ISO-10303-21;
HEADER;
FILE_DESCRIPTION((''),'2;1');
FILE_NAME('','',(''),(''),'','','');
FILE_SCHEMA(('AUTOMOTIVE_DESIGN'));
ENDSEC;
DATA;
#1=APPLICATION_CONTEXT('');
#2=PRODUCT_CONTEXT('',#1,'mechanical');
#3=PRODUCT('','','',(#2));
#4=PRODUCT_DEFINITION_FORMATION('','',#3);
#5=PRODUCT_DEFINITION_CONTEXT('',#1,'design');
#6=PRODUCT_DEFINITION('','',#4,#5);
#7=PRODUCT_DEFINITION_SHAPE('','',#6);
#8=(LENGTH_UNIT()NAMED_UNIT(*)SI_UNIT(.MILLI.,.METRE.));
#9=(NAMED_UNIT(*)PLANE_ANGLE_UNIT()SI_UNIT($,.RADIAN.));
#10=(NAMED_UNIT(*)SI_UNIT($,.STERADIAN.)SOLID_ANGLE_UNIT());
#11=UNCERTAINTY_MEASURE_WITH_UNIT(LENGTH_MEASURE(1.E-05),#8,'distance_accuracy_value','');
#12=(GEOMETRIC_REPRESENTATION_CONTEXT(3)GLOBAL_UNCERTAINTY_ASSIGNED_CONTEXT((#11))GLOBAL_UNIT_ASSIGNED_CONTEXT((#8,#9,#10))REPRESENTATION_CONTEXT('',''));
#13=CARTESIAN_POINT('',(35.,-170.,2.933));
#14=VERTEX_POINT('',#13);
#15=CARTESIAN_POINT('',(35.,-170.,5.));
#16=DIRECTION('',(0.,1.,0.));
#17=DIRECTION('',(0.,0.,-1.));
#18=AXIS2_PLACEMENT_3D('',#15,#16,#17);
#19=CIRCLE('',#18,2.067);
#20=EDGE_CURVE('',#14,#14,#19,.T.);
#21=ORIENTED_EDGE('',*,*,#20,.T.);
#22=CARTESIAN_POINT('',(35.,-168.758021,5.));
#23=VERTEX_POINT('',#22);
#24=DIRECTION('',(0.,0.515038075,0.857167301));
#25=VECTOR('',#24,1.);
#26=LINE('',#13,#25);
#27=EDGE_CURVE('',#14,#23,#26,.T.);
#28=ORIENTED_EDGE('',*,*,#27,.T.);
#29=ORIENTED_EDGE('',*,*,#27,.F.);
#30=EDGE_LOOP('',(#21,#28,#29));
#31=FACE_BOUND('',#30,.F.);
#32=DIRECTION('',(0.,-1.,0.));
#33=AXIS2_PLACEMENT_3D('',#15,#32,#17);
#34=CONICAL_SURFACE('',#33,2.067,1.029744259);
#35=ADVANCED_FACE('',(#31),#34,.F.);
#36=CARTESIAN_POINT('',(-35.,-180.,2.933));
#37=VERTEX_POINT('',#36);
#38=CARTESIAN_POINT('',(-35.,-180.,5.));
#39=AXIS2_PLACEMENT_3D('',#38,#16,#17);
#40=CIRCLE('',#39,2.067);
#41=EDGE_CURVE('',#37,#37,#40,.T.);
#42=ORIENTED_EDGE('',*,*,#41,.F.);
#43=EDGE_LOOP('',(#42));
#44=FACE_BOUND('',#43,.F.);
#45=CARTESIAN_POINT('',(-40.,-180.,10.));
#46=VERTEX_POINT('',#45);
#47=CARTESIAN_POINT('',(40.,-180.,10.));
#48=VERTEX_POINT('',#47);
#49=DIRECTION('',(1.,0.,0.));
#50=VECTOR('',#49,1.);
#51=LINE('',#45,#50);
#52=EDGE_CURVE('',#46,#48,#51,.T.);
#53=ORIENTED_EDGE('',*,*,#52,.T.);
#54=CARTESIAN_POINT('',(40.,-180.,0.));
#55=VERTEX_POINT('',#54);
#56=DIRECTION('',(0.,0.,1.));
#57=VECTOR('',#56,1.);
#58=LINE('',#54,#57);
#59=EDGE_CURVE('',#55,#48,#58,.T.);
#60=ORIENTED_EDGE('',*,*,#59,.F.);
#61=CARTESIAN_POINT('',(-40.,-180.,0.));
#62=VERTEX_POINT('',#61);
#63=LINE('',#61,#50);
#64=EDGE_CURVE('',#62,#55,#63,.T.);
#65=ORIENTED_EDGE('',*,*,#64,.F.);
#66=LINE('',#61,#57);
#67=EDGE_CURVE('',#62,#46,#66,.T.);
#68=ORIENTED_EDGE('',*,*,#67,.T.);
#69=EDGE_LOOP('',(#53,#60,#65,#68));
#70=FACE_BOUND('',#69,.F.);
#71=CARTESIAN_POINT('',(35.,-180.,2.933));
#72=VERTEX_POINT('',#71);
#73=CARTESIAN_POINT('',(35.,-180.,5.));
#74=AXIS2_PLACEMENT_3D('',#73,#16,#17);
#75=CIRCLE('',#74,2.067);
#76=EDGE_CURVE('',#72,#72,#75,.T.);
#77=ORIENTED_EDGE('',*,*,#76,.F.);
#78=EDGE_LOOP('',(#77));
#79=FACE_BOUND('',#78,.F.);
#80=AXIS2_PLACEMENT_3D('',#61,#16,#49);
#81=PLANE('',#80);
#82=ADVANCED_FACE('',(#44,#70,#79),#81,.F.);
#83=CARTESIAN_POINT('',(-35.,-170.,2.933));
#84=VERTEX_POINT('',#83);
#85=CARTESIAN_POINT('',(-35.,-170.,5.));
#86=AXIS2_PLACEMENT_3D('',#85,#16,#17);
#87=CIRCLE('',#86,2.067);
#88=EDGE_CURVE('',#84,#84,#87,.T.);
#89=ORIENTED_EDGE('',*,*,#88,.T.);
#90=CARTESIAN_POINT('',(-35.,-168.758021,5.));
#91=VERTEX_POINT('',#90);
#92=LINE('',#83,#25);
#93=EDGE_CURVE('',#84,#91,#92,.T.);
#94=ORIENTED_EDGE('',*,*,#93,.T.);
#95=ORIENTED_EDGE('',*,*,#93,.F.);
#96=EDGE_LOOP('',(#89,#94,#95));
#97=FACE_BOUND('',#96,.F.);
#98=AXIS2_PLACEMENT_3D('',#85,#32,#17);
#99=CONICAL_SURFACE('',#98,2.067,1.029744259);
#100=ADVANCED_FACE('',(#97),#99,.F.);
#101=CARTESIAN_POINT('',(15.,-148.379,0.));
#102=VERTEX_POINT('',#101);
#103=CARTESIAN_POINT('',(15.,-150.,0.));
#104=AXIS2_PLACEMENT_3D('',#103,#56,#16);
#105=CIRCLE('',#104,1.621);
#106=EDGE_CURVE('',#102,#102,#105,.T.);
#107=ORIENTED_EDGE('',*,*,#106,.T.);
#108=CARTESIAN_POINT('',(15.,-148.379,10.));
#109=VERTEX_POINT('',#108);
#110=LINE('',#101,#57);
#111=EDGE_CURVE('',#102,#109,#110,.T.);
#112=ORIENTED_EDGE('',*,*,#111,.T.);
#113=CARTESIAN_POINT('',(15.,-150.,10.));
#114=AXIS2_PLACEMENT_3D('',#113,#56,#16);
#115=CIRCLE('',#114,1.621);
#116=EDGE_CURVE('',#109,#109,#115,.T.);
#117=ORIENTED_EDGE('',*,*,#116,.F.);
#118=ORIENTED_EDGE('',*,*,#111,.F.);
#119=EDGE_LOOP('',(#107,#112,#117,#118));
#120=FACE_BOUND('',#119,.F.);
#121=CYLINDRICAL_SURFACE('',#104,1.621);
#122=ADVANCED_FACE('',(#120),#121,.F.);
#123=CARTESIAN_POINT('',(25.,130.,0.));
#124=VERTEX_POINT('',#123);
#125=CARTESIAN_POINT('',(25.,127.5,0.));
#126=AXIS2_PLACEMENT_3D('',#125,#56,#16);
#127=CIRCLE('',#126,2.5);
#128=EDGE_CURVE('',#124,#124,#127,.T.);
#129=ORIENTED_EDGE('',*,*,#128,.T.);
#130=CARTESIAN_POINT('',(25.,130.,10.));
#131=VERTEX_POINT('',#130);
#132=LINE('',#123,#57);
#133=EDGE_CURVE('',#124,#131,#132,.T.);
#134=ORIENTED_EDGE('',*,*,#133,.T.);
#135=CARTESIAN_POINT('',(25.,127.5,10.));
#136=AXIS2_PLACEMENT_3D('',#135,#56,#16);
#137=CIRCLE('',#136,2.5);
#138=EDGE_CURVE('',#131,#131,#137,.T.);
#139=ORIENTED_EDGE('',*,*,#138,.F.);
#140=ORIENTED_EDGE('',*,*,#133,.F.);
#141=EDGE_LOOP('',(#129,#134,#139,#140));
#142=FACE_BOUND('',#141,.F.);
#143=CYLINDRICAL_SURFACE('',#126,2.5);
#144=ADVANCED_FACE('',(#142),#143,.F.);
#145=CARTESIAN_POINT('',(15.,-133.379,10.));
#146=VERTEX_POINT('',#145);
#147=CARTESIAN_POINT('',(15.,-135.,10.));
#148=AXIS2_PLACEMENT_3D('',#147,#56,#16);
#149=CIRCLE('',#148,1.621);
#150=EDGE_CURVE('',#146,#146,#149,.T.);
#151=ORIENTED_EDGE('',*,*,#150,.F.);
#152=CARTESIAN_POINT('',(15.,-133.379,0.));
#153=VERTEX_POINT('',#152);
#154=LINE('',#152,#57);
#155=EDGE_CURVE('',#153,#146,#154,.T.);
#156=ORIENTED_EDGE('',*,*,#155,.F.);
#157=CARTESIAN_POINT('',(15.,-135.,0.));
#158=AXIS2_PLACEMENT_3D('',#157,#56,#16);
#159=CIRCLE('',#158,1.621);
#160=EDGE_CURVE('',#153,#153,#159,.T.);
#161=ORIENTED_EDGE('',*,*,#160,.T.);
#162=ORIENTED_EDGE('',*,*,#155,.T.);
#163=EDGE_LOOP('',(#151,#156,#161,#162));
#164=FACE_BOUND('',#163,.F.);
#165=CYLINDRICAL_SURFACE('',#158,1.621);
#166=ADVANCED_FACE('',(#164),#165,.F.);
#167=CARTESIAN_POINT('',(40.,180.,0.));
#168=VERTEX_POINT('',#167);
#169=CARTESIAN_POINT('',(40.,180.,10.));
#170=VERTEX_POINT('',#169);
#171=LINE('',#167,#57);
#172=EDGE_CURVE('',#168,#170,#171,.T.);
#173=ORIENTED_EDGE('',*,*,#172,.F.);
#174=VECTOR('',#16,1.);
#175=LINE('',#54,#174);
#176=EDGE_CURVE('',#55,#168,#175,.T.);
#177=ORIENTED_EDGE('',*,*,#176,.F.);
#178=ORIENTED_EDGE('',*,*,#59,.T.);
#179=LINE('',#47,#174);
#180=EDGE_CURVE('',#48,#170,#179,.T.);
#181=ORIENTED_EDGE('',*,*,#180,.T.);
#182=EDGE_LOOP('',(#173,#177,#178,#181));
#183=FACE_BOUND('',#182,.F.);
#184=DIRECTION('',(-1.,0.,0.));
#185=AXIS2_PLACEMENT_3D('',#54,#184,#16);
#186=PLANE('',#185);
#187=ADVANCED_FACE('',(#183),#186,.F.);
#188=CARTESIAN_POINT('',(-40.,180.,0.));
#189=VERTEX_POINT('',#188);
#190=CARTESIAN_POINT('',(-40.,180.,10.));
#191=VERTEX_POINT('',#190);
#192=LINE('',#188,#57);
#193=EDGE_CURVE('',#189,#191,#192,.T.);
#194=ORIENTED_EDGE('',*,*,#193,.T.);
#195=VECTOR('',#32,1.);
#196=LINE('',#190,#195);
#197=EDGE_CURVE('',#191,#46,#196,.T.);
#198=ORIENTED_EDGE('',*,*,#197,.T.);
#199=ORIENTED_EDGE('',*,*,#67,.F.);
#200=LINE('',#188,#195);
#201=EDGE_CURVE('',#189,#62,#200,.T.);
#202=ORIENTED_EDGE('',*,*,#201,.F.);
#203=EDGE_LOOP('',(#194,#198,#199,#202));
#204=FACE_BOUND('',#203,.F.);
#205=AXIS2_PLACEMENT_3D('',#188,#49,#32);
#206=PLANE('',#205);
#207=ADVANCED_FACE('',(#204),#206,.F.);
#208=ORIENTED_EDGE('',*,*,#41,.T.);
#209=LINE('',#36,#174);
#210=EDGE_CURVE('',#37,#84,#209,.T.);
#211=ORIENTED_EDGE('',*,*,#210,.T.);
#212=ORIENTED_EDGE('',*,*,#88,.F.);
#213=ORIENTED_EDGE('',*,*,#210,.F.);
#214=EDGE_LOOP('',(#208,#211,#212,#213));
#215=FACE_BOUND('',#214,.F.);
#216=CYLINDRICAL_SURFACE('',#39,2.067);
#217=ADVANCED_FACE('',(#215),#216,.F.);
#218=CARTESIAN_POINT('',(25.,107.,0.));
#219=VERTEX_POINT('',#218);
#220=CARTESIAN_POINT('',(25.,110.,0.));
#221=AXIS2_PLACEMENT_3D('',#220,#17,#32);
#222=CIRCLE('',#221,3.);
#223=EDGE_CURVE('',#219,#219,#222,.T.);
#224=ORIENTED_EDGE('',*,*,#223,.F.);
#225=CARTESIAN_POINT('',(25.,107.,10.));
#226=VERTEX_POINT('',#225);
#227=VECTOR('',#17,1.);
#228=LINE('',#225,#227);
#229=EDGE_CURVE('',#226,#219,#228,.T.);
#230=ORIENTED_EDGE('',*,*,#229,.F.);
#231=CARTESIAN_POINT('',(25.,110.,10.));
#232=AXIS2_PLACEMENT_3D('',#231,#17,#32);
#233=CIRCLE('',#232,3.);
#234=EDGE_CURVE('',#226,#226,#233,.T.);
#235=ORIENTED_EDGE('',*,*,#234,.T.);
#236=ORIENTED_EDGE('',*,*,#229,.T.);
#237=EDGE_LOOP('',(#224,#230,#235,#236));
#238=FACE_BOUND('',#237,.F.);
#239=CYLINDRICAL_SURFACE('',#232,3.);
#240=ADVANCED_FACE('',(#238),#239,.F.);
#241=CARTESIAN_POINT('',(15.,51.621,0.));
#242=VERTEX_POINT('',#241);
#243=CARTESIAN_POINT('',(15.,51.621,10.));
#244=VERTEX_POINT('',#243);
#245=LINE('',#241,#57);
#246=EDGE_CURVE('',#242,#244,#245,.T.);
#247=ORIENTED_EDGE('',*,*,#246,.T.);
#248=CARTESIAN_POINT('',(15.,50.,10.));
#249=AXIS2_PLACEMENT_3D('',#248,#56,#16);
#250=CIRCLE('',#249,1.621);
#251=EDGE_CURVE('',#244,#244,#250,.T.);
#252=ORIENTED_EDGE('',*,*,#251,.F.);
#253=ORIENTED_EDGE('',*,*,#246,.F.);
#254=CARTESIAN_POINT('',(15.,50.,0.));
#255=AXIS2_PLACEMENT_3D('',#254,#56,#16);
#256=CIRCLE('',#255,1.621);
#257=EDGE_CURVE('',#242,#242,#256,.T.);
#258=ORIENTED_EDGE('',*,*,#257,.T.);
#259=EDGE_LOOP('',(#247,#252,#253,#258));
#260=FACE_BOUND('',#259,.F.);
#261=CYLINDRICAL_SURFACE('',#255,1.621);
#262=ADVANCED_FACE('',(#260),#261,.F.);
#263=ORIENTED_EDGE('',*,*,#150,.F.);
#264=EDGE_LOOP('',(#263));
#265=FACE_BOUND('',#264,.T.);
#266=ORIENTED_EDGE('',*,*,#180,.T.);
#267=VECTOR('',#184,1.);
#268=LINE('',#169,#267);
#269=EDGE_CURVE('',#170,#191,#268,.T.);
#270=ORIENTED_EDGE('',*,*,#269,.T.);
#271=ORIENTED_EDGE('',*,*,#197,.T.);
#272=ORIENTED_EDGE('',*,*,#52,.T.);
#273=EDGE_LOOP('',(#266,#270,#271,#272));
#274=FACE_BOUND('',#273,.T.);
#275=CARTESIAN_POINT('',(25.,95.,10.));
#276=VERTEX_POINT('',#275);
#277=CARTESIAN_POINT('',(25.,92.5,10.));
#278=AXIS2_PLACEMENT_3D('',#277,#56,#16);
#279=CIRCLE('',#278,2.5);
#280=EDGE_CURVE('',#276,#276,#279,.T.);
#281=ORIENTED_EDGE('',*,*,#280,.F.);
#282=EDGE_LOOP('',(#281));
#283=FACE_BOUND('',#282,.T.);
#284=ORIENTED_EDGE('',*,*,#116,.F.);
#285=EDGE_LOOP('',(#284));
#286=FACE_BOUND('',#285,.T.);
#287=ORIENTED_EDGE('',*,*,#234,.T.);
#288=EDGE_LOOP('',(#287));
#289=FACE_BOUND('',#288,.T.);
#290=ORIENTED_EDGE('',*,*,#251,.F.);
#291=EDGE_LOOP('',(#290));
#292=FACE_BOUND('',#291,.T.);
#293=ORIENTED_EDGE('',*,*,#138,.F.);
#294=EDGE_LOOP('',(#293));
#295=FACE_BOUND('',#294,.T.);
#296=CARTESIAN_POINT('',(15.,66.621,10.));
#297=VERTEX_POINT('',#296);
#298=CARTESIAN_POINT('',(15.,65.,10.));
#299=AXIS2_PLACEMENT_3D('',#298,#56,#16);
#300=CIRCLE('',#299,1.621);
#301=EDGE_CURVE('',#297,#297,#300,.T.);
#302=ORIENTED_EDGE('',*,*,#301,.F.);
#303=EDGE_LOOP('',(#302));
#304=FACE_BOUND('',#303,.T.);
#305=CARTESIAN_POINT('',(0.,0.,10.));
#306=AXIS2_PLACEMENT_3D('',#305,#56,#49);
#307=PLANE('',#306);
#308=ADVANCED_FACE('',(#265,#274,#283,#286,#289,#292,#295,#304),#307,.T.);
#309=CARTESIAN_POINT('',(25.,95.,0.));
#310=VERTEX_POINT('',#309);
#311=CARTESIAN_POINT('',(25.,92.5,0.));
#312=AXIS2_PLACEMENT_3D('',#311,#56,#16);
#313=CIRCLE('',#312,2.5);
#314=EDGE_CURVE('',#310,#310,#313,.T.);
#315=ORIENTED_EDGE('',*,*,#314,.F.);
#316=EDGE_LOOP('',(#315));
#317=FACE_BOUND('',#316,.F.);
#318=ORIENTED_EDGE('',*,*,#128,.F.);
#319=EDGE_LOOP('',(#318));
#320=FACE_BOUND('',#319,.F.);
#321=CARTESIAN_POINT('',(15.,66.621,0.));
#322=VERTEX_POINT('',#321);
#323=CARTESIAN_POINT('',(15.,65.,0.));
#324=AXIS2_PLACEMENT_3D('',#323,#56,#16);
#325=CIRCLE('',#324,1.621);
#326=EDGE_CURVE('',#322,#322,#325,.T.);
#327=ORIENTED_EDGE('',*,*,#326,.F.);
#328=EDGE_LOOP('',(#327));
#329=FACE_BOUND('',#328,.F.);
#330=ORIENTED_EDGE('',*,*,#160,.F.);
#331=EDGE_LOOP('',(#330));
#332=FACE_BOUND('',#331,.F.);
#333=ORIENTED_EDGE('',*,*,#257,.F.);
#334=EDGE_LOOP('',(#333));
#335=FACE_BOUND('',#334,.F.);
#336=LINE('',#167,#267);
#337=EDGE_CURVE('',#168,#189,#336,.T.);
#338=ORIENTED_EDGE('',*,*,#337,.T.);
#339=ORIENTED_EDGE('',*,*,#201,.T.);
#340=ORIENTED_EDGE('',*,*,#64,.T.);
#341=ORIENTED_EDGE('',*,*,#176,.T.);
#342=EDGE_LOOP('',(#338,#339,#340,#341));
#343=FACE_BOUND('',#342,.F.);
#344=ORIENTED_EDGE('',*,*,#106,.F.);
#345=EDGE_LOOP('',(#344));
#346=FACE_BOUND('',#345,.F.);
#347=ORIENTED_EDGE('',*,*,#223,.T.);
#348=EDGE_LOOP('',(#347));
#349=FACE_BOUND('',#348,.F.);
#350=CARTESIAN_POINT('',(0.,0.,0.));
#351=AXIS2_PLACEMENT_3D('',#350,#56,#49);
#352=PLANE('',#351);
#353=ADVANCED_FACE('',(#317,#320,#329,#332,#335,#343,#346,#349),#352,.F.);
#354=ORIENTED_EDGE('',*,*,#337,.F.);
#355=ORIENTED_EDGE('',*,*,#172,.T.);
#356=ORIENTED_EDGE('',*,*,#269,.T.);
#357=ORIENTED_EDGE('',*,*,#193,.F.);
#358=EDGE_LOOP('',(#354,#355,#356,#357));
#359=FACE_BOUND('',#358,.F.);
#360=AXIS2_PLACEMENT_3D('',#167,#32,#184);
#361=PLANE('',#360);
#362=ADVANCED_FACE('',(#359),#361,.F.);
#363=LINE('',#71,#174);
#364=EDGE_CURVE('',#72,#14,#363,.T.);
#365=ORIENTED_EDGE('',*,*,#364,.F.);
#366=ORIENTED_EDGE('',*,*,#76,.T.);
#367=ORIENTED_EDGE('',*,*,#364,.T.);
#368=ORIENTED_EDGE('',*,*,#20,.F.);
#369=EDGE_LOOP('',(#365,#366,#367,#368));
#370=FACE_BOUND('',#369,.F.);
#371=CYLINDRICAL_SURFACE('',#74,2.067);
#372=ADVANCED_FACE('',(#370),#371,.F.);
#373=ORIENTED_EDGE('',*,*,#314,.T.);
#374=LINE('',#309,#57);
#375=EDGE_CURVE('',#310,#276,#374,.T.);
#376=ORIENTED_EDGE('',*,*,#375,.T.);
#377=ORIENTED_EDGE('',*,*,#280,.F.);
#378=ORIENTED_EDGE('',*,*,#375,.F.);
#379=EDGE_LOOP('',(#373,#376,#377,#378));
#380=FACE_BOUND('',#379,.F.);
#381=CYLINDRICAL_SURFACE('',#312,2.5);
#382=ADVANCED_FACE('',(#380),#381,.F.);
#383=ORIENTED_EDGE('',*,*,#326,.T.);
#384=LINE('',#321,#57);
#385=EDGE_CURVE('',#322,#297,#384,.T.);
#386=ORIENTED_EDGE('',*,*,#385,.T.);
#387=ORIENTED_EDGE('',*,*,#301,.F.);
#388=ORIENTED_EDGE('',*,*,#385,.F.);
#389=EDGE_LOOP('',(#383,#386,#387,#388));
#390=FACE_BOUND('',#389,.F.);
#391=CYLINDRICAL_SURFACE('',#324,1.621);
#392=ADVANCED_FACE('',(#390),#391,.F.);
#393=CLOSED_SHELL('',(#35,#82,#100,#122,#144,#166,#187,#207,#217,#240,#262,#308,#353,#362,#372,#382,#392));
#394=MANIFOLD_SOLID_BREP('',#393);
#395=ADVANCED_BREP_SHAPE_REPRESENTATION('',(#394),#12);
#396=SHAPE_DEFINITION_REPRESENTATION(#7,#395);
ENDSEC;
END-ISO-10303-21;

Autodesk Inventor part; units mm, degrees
ref_plane "YZ Plane" through (0, 0, 0) normal (1, 0, 0) x (0, 1, 0)
ref_plane "XZ Plane" through (0, 0, 0) normal (0, 1, 0) x (-1, 0, 0)
ref_plane "XY Plane" through (0, 0, 0) normal (0, 0, 1) x (1, 0, 0)
sketch "Skizze1" plane through (0, 0, 0) normal (0, 0, 1) x (1, 0, 0)
  line L0 (40, 180) -> (-40, 180)
  line L1 (-40, 180) -> (-40, -180)
  line L2 (-40, -180) -> (40, -180)
  line L3 (40, -180) -> (40, 180)
  line L4 (40, 180) -> (-40, -180) construction
  line L5 (-40, 180) -> (40, -180) construction
  point P0 (0, 0)
  dimension "d0" = 80
  dimension "d1" = 360
extrude "Extrusion1" add sketch "Skizze1" along normal blind 10
sketch "Skizze2" plane through (0, 0, 10) normal (0, 0, 1) x (1, 0, 0)
  line L0 (40, 180) -> (-40, 180) projected
  line L1 (40, -180) -> (40, 180) projected
  point P0 (0, 0)
  point P1 (25, 110)
  dimension "d16" = 15
  dimension "d17" = 70
hole "Bohrung2" at (25, 110, 10) direction (0, 0, -1) diameter 6 end through all
sketch "Skizze4" plane through (0, 0, 0) normal (0, 0, -1) x (-1, 0, 0)
  line L0 (40, -180) -> (-40, -180) projected
  line L1 (40, 180) -> (40, -180) projected
  line L2 (-15, -150) -> (-15, -135) construction
  point P0 (0, 0)
  dimension "d34" = 15
  dimension "d35" = 30
  dimension "d36" = 55
hole "Bohrung4" at (15, -150, 0) at (15, -135, 0) direction (0, 0, 1) diameter 3.242 end through all thread size "M4x0.7" class "6H" standard "ISO Metric profile"
pattern_linear "Rechteckige Anordnung2" count 2 spacing 200 along (0, 1, 0) of "Bohrung4"
sketch "Skizze5" plane through (-40, -180, 0) normal (0, -1, 0) x (1, 0, 0)
  line L0 (0, 0) -> (80, 0) projected
  line L1 (0, 0) -> (0, 10) projected
  line L2 (5, 5) -> (75, 5)
  point P0 (40, 0)
  point P1 (40, 5)
  point P2 (40, 0)
  point P3 (0, 5)
  dimension "d47" = 5
hole "Bohrung5" at (-35, -180, 5) at (35, -180, 5) direction (0, 1, 0) diameter 4.134 depth 10 tip angle 118 thread size "M5x0.8" class "6H" standard "ISO Metric profile"
sketch "Skizze6" plane through (0, 0, 0) normal (0, 0, -1) x (-1, 0, 0)
  circle A0 centre (-25, 110) radius 3 projected
  line L0 (40, 180) -> (40, -180) projected
  line L1 (-25, 127.5) -> (-25, 92.5)
  point P0 (0, 0)
  dimension "d55" = 35
hole "Bohrung6" at (25, 127.5, 0) at (25, 92.5, 0) direction (0, 0, 1) diameter 5 end through all
properties part number "Tunel_SidePanel2" material "Polycarbonat, klar"
